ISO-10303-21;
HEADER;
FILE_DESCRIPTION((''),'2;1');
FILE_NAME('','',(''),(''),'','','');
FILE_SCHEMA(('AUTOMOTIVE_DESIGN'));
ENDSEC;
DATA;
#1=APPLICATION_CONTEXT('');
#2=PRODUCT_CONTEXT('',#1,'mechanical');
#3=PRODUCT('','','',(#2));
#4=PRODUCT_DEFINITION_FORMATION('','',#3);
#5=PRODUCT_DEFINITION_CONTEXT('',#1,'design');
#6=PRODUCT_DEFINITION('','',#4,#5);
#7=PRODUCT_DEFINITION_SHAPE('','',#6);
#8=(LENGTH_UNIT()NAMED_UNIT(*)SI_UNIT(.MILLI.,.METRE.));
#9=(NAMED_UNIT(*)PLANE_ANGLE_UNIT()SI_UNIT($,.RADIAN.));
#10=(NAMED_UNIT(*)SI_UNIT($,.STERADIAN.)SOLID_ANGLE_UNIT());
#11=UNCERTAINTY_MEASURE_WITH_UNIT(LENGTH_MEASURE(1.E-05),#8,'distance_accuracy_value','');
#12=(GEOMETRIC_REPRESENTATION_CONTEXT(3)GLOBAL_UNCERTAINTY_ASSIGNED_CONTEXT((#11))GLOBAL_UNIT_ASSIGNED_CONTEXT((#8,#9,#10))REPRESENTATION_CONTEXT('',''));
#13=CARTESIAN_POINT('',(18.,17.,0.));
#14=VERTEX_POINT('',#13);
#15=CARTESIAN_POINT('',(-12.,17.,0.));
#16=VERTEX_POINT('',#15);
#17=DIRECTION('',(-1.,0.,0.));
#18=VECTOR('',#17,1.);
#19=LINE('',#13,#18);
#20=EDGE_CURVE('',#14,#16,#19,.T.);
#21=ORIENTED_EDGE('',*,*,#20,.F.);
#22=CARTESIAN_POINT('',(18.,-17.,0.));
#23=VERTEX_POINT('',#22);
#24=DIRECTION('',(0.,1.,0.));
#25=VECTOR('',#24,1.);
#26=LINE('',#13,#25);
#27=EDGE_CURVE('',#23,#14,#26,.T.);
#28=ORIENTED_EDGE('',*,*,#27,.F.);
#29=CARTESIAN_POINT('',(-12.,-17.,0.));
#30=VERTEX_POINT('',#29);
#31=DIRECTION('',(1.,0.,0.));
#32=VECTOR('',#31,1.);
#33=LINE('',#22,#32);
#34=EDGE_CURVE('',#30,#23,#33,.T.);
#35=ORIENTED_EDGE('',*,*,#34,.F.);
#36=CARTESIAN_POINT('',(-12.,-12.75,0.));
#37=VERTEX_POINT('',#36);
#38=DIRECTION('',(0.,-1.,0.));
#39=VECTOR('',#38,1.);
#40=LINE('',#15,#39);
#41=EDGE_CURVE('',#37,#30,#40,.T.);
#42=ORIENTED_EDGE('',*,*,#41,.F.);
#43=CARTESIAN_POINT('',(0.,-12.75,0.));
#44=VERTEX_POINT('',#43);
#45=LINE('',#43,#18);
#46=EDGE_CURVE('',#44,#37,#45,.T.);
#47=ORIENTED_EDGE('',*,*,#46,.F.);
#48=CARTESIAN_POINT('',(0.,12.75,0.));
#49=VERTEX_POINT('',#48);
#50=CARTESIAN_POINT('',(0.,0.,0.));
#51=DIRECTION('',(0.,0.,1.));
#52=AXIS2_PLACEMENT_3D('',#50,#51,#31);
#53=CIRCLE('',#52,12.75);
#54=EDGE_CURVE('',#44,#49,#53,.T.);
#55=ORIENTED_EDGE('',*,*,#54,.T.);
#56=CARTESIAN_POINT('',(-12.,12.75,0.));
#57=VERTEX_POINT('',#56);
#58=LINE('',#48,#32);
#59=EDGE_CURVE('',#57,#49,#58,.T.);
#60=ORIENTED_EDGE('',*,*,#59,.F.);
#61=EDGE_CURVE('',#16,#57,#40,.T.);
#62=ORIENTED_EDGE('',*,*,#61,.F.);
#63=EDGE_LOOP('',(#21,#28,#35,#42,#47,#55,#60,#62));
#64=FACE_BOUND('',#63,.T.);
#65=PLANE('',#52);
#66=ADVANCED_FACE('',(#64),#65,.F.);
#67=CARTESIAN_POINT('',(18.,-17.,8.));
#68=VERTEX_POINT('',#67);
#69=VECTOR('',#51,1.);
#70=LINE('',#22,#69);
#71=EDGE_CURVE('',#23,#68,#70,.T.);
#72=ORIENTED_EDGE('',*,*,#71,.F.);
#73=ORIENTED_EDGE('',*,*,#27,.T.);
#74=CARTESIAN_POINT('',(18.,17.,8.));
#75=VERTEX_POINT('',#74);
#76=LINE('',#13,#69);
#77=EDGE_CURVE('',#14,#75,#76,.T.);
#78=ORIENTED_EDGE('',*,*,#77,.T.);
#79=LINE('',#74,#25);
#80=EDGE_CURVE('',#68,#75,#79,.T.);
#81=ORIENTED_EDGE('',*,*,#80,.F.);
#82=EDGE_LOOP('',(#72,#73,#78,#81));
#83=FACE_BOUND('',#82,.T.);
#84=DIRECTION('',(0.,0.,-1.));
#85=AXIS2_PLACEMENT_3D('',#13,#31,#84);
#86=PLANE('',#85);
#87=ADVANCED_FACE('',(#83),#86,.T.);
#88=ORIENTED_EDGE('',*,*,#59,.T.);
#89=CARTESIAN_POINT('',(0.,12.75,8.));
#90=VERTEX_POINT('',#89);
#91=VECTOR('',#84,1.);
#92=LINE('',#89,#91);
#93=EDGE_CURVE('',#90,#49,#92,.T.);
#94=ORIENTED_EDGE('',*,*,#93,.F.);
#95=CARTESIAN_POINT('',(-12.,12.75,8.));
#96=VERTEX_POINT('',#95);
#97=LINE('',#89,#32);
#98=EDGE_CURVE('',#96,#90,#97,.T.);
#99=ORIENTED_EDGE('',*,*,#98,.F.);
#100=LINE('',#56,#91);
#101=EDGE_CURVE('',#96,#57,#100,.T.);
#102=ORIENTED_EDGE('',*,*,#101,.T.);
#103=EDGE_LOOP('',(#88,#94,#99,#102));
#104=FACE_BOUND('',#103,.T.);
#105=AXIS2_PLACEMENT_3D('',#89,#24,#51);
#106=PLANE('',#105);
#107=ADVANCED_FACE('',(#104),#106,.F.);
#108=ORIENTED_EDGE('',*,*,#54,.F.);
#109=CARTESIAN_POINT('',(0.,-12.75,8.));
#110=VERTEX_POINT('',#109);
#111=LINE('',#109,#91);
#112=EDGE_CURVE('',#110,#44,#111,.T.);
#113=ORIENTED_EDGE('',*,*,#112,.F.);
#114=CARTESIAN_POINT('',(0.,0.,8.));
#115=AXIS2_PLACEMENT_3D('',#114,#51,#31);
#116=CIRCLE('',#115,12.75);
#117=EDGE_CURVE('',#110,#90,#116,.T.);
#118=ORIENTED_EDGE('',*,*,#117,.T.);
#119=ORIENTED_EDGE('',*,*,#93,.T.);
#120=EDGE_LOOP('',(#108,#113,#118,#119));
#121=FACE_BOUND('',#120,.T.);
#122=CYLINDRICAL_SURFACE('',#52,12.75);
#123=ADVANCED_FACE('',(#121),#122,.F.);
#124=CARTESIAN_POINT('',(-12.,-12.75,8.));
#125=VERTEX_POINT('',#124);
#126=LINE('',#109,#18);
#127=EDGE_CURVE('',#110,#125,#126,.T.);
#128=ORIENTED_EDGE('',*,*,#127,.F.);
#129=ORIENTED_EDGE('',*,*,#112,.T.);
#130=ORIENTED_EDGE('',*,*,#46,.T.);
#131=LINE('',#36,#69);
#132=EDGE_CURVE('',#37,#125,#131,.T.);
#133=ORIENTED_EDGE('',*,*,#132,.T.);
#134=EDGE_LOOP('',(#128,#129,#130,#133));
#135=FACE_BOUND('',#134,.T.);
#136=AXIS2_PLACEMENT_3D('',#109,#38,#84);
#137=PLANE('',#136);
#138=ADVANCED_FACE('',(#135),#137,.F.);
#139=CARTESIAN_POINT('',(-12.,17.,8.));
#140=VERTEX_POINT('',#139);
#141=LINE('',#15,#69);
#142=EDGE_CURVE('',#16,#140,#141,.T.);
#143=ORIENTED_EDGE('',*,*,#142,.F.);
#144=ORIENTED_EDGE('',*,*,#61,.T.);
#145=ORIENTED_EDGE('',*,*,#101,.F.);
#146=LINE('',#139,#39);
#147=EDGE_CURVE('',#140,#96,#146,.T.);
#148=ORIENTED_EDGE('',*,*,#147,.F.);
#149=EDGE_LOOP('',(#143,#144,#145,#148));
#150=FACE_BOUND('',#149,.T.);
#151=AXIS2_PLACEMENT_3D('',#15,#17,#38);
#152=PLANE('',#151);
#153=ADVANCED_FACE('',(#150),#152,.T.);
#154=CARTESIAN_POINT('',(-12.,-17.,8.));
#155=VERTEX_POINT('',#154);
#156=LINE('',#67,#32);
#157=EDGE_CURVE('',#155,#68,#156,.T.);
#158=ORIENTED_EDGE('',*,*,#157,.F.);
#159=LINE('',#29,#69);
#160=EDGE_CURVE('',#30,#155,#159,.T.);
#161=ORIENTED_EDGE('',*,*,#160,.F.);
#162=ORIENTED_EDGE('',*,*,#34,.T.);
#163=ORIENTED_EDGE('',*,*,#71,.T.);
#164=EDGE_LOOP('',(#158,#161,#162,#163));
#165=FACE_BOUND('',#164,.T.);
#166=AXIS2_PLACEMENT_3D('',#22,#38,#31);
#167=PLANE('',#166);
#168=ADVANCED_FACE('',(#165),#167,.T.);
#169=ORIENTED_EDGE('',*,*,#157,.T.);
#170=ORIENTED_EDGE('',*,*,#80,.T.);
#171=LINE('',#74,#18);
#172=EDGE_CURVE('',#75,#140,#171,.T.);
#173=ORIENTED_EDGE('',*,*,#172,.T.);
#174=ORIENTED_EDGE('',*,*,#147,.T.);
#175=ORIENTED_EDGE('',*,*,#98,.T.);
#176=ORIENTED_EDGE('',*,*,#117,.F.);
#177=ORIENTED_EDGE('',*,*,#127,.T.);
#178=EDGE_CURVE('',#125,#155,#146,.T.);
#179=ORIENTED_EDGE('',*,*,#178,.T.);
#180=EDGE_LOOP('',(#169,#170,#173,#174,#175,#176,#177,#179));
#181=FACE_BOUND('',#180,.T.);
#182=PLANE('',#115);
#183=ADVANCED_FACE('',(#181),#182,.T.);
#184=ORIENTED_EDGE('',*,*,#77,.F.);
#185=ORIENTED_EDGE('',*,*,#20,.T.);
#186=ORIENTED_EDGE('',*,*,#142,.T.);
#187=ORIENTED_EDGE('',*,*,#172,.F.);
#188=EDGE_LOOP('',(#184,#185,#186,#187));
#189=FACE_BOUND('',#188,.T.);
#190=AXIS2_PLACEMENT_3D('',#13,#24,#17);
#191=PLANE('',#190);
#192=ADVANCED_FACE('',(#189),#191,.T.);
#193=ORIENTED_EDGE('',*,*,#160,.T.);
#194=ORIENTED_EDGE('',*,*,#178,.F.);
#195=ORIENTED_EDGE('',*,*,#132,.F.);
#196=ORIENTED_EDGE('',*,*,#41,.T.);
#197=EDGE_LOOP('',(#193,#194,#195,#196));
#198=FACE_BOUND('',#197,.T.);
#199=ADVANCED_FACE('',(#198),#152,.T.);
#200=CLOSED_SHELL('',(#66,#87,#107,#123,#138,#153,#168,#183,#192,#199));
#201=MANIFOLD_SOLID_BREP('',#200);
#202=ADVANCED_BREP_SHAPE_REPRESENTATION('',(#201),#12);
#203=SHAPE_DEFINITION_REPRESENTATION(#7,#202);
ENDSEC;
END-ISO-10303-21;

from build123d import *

# Parameters (mm, degrees)
SKETCH_1_R          = 17
EXTRUDE_1_DEPTH     = 8
SKETCH_3_W          = 30
SKETCH_3_H          = 34
EXTRUDE_2_DEPTH     = 8
SKETCH_2_R          = 12.75
CUT_EXTRUDE_1_DEPTH = 8
SKETCH_4_W          = 19.904573782
SKETCH_4_H          = 25.5
CUT_EXTRUDE_2_DEPTH = 8


with BuildPart() as part:
    # 스케치1 → 보스-돌출1 (new body)
    with BuildSketch(Plane.XY):
        Circle(SKETCH_1_R)
    extrude(amount=EXTRUDE_1_DEPTH)

    # 스케치3 → 보스-돌출2 (add)
    with BuildSketch(Plane.XY.offset(8)):
        with Locations((3, 0)):
            Rectangle(SKETCH_3_W, SKETCH_3_H)
    extrude(amount=-EXTRUDE_2_DEPTH)

    # 스케치2 → 컷-돌출1 (cut)
    with BuildSketch(Plane.XY.offset(8)):
        Circle(SKETCH_2_R)
    extrude(amount=-CUT_EXTRUDE_1_DEPTH, mode=Mode.SUBTRACT)

    # 스케치4 → 컷-돌출2 (cut)
    with BuildSketch(Plane(origin=(0, 0, 0), x_dir=(-1, 0, 0), z_dir=(0, 0, -1))):
        with Locations((9.952286891, 0)):
            Rectangle(SKETCH_4_W, SKETCH_4_H)
    extrude(amount=-CUT_EXTRUDE_2_DEPTH, mode=Mode.SUBTRACT)


solid = part.part
